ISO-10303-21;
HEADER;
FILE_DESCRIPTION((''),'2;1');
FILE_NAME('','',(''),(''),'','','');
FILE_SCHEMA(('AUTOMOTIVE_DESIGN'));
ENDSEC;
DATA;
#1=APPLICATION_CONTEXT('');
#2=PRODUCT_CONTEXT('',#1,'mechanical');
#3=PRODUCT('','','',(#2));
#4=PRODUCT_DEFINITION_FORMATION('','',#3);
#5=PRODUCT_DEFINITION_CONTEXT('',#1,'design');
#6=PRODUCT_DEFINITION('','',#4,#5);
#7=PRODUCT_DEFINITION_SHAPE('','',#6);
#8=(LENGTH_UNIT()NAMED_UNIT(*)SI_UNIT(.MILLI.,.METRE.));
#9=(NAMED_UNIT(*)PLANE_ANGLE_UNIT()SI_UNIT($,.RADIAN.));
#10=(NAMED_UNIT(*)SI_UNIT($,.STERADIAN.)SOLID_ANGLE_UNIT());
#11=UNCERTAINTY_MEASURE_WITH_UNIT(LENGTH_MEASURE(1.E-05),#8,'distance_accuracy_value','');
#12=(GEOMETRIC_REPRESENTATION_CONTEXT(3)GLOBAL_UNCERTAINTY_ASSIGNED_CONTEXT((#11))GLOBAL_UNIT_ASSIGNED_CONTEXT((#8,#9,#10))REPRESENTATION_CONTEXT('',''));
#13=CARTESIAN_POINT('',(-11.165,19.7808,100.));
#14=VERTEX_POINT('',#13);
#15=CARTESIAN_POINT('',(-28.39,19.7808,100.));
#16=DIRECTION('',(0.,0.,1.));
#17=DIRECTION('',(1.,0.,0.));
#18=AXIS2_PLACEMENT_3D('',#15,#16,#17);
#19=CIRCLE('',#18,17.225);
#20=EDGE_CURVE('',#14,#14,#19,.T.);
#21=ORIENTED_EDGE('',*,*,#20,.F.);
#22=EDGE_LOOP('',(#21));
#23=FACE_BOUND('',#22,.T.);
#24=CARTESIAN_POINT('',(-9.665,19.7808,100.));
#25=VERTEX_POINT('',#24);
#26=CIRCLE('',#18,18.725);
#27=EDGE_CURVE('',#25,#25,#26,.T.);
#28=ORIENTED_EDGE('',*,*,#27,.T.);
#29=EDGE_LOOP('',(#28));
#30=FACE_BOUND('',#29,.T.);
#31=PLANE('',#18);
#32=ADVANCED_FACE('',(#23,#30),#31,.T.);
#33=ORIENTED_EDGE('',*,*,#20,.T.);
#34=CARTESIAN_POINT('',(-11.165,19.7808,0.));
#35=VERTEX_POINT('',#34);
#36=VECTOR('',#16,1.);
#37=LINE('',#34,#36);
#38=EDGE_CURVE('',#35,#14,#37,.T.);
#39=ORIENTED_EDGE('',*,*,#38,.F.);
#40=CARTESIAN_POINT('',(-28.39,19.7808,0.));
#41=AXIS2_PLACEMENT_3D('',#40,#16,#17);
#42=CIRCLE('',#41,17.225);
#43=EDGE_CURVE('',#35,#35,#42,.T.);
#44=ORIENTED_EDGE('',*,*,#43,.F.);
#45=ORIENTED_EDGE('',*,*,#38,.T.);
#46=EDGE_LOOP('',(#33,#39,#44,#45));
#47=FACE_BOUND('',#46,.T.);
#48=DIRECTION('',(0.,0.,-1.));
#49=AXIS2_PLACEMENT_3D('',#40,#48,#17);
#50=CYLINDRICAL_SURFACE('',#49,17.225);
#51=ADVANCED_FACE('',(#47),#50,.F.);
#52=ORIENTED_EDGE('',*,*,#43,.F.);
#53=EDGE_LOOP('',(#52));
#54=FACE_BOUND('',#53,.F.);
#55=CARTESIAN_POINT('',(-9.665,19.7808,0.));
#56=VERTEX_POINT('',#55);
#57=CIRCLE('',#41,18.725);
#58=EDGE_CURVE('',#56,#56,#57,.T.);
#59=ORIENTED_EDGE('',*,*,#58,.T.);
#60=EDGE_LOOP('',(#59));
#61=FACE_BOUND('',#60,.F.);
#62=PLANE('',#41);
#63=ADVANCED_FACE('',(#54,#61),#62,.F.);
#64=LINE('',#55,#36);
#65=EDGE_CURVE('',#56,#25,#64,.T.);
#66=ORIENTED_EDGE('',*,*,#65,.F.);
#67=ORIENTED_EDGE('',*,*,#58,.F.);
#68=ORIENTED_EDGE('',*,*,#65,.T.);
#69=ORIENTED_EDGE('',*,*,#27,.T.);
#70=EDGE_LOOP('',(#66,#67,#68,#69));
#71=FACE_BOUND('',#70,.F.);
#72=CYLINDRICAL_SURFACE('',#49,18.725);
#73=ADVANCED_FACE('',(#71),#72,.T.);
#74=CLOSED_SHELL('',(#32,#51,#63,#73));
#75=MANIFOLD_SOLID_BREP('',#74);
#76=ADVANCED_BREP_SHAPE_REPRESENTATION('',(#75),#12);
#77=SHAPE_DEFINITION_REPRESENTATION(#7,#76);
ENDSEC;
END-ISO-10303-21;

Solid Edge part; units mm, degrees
sketch "Sketch1" plane through (0, 0, 0) normal (0, 0, 1) x (1, 0, 0)
  circle A0 centre (-28.39, 19.7808) radius 17.225
  circle A1 centre (-28.39, 19.7808) radius 18.725
  dimension "D1" = 1.5
extrude "Protrusion1" add sketch "Sketch1" along normal blind 100
